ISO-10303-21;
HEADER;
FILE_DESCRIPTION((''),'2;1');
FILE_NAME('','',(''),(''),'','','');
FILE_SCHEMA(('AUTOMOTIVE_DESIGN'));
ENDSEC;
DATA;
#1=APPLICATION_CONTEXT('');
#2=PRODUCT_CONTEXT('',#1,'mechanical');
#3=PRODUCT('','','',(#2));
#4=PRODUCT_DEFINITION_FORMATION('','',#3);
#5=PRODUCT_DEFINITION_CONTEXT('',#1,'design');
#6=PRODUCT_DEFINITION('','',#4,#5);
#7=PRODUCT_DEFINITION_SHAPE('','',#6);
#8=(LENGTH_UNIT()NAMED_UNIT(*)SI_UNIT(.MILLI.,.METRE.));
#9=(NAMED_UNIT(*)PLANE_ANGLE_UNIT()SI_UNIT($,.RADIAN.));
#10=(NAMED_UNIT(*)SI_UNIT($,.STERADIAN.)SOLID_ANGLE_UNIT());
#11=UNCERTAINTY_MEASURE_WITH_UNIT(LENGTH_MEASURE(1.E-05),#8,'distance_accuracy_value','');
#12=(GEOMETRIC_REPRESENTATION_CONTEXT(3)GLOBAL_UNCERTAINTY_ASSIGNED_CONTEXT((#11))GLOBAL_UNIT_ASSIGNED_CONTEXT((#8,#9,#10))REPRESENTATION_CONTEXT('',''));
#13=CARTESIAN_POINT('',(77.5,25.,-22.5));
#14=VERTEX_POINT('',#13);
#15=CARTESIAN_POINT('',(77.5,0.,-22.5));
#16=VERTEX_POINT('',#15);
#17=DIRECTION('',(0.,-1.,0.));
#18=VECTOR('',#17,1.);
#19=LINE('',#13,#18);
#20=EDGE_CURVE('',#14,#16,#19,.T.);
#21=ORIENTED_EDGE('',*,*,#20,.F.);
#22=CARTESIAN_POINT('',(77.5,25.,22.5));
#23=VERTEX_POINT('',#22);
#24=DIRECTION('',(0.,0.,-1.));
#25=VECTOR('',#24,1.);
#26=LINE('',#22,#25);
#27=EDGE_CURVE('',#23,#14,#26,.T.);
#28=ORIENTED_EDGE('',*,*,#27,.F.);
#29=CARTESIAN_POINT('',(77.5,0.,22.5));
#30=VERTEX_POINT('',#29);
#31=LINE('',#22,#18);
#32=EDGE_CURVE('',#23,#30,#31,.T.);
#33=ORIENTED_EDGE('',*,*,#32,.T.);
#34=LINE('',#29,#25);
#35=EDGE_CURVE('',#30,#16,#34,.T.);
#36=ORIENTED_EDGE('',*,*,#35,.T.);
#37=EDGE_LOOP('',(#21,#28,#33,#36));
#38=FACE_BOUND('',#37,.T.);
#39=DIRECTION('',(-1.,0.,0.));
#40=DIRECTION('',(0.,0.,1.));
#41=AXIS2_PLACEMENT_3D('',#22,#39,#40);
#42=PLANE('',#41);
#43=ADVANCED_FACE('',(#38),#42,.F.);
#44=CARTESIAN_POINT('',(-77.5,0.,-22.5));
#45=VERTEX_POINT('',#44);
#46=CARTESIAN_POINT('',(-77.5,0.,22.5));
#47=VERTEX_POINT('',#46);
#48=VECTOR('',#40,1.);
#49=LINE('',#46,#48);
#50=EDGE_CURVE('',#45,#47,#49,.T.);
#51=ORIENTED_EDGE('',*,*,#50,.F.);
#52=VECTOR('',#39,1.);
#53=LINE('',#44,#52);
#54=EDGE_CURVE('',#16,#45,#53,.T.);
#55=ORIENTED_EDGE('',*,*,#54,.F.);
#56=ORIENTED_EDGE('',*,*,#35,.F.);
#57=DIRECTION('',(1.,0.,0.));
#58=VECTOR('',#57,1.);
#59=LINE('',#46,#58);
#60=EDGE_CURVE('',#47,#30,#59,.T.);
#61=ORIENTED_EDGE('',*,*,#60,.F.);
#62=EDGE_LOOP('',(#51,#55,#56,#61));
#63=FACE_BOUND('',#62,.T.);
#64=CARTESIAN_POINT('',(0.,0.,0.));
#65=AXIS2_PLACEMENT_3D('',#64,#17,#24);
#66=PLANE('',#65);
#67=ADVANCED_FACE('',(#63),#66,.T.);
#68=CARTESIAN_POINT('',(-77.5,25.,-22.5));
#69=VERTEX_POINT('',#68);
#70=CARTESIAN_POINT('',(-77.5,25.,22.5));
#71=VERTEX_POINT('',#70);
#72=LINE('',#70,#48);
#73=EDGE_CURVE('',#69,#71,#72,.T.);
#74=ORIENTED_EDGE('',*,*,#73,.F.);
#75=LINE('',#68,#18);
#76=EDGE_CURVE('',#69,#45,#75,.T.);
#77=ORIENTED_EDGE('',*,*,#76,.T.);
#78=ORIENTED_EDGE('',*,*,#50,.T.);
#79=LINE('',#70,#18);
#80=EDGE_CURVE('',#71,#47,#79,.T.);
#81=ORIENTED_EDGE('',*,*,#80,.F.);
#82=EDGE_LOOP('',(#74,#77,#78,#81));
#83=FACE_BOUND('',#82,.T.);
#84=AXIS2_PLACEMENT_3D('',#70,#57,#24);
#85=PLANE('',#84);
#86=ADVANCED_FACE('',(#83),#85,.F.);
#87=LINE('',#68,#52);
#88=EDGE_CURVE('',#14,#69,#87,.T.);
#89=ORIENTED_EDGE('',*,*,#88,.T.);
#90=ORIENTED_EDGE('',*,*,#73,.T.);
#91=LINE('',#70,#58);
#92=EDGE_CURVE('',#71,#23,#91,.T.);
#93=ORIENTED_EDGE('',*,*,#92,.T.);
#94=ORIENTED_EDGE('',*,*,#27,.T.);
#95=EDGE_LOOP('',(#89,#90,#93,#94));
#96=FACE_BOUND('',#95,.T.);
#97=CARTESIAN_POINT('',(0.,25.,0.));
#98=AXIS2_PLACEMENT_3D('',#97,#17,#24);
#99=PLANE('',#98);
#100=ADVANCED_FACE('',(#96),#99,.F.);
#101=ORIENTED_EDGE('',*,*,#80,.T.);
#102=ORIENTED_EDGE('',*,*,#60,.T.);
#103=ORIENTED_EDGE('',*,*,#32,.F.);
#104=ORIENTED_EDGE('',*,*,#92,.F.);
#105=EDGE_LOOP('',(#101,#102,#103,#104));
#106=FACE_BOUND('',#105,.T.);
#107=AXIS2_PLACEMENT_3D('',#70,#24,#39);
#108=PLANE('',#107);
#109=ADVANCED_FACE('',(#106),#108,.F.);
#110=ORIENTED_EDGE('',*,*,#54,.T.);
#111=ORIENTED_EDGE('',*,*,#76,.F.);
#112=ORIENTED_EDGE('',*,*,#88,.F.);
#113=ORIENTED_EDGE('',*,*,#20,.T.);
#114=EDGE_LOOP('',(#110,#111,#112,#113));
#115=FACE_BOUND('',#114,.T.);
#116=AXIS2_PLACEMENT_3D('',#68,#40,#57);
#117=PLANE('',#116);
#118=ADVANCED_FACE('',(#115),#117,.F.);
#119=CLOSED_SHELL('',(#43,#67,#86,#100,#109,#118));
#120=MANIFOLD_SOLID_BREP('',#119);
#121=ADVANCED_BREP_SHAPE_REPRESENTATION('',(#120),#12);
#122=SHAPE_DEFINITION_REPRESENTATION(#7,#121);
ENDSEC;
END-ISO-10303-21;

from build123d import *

# Parameters (mm, degrees)
SKETCH_1_W      = 155
SKETCH_1_H      = 45
EXTRUDE_1_DEPTH = 25


with BuildPart() as part:
    # 草图1 → 凸台-拉伸1 (new body)
    with BuildSketch(Plane(origin=(0, 0, 0), x_dir=(1, 0, 0), z_dir=(0, 1, 0))):
        Rectangle(SKETCH_1_W, SKETCH_1_H)
    extrude(amount=EXTRUDE_1_DEPTH)


solid = part.part
